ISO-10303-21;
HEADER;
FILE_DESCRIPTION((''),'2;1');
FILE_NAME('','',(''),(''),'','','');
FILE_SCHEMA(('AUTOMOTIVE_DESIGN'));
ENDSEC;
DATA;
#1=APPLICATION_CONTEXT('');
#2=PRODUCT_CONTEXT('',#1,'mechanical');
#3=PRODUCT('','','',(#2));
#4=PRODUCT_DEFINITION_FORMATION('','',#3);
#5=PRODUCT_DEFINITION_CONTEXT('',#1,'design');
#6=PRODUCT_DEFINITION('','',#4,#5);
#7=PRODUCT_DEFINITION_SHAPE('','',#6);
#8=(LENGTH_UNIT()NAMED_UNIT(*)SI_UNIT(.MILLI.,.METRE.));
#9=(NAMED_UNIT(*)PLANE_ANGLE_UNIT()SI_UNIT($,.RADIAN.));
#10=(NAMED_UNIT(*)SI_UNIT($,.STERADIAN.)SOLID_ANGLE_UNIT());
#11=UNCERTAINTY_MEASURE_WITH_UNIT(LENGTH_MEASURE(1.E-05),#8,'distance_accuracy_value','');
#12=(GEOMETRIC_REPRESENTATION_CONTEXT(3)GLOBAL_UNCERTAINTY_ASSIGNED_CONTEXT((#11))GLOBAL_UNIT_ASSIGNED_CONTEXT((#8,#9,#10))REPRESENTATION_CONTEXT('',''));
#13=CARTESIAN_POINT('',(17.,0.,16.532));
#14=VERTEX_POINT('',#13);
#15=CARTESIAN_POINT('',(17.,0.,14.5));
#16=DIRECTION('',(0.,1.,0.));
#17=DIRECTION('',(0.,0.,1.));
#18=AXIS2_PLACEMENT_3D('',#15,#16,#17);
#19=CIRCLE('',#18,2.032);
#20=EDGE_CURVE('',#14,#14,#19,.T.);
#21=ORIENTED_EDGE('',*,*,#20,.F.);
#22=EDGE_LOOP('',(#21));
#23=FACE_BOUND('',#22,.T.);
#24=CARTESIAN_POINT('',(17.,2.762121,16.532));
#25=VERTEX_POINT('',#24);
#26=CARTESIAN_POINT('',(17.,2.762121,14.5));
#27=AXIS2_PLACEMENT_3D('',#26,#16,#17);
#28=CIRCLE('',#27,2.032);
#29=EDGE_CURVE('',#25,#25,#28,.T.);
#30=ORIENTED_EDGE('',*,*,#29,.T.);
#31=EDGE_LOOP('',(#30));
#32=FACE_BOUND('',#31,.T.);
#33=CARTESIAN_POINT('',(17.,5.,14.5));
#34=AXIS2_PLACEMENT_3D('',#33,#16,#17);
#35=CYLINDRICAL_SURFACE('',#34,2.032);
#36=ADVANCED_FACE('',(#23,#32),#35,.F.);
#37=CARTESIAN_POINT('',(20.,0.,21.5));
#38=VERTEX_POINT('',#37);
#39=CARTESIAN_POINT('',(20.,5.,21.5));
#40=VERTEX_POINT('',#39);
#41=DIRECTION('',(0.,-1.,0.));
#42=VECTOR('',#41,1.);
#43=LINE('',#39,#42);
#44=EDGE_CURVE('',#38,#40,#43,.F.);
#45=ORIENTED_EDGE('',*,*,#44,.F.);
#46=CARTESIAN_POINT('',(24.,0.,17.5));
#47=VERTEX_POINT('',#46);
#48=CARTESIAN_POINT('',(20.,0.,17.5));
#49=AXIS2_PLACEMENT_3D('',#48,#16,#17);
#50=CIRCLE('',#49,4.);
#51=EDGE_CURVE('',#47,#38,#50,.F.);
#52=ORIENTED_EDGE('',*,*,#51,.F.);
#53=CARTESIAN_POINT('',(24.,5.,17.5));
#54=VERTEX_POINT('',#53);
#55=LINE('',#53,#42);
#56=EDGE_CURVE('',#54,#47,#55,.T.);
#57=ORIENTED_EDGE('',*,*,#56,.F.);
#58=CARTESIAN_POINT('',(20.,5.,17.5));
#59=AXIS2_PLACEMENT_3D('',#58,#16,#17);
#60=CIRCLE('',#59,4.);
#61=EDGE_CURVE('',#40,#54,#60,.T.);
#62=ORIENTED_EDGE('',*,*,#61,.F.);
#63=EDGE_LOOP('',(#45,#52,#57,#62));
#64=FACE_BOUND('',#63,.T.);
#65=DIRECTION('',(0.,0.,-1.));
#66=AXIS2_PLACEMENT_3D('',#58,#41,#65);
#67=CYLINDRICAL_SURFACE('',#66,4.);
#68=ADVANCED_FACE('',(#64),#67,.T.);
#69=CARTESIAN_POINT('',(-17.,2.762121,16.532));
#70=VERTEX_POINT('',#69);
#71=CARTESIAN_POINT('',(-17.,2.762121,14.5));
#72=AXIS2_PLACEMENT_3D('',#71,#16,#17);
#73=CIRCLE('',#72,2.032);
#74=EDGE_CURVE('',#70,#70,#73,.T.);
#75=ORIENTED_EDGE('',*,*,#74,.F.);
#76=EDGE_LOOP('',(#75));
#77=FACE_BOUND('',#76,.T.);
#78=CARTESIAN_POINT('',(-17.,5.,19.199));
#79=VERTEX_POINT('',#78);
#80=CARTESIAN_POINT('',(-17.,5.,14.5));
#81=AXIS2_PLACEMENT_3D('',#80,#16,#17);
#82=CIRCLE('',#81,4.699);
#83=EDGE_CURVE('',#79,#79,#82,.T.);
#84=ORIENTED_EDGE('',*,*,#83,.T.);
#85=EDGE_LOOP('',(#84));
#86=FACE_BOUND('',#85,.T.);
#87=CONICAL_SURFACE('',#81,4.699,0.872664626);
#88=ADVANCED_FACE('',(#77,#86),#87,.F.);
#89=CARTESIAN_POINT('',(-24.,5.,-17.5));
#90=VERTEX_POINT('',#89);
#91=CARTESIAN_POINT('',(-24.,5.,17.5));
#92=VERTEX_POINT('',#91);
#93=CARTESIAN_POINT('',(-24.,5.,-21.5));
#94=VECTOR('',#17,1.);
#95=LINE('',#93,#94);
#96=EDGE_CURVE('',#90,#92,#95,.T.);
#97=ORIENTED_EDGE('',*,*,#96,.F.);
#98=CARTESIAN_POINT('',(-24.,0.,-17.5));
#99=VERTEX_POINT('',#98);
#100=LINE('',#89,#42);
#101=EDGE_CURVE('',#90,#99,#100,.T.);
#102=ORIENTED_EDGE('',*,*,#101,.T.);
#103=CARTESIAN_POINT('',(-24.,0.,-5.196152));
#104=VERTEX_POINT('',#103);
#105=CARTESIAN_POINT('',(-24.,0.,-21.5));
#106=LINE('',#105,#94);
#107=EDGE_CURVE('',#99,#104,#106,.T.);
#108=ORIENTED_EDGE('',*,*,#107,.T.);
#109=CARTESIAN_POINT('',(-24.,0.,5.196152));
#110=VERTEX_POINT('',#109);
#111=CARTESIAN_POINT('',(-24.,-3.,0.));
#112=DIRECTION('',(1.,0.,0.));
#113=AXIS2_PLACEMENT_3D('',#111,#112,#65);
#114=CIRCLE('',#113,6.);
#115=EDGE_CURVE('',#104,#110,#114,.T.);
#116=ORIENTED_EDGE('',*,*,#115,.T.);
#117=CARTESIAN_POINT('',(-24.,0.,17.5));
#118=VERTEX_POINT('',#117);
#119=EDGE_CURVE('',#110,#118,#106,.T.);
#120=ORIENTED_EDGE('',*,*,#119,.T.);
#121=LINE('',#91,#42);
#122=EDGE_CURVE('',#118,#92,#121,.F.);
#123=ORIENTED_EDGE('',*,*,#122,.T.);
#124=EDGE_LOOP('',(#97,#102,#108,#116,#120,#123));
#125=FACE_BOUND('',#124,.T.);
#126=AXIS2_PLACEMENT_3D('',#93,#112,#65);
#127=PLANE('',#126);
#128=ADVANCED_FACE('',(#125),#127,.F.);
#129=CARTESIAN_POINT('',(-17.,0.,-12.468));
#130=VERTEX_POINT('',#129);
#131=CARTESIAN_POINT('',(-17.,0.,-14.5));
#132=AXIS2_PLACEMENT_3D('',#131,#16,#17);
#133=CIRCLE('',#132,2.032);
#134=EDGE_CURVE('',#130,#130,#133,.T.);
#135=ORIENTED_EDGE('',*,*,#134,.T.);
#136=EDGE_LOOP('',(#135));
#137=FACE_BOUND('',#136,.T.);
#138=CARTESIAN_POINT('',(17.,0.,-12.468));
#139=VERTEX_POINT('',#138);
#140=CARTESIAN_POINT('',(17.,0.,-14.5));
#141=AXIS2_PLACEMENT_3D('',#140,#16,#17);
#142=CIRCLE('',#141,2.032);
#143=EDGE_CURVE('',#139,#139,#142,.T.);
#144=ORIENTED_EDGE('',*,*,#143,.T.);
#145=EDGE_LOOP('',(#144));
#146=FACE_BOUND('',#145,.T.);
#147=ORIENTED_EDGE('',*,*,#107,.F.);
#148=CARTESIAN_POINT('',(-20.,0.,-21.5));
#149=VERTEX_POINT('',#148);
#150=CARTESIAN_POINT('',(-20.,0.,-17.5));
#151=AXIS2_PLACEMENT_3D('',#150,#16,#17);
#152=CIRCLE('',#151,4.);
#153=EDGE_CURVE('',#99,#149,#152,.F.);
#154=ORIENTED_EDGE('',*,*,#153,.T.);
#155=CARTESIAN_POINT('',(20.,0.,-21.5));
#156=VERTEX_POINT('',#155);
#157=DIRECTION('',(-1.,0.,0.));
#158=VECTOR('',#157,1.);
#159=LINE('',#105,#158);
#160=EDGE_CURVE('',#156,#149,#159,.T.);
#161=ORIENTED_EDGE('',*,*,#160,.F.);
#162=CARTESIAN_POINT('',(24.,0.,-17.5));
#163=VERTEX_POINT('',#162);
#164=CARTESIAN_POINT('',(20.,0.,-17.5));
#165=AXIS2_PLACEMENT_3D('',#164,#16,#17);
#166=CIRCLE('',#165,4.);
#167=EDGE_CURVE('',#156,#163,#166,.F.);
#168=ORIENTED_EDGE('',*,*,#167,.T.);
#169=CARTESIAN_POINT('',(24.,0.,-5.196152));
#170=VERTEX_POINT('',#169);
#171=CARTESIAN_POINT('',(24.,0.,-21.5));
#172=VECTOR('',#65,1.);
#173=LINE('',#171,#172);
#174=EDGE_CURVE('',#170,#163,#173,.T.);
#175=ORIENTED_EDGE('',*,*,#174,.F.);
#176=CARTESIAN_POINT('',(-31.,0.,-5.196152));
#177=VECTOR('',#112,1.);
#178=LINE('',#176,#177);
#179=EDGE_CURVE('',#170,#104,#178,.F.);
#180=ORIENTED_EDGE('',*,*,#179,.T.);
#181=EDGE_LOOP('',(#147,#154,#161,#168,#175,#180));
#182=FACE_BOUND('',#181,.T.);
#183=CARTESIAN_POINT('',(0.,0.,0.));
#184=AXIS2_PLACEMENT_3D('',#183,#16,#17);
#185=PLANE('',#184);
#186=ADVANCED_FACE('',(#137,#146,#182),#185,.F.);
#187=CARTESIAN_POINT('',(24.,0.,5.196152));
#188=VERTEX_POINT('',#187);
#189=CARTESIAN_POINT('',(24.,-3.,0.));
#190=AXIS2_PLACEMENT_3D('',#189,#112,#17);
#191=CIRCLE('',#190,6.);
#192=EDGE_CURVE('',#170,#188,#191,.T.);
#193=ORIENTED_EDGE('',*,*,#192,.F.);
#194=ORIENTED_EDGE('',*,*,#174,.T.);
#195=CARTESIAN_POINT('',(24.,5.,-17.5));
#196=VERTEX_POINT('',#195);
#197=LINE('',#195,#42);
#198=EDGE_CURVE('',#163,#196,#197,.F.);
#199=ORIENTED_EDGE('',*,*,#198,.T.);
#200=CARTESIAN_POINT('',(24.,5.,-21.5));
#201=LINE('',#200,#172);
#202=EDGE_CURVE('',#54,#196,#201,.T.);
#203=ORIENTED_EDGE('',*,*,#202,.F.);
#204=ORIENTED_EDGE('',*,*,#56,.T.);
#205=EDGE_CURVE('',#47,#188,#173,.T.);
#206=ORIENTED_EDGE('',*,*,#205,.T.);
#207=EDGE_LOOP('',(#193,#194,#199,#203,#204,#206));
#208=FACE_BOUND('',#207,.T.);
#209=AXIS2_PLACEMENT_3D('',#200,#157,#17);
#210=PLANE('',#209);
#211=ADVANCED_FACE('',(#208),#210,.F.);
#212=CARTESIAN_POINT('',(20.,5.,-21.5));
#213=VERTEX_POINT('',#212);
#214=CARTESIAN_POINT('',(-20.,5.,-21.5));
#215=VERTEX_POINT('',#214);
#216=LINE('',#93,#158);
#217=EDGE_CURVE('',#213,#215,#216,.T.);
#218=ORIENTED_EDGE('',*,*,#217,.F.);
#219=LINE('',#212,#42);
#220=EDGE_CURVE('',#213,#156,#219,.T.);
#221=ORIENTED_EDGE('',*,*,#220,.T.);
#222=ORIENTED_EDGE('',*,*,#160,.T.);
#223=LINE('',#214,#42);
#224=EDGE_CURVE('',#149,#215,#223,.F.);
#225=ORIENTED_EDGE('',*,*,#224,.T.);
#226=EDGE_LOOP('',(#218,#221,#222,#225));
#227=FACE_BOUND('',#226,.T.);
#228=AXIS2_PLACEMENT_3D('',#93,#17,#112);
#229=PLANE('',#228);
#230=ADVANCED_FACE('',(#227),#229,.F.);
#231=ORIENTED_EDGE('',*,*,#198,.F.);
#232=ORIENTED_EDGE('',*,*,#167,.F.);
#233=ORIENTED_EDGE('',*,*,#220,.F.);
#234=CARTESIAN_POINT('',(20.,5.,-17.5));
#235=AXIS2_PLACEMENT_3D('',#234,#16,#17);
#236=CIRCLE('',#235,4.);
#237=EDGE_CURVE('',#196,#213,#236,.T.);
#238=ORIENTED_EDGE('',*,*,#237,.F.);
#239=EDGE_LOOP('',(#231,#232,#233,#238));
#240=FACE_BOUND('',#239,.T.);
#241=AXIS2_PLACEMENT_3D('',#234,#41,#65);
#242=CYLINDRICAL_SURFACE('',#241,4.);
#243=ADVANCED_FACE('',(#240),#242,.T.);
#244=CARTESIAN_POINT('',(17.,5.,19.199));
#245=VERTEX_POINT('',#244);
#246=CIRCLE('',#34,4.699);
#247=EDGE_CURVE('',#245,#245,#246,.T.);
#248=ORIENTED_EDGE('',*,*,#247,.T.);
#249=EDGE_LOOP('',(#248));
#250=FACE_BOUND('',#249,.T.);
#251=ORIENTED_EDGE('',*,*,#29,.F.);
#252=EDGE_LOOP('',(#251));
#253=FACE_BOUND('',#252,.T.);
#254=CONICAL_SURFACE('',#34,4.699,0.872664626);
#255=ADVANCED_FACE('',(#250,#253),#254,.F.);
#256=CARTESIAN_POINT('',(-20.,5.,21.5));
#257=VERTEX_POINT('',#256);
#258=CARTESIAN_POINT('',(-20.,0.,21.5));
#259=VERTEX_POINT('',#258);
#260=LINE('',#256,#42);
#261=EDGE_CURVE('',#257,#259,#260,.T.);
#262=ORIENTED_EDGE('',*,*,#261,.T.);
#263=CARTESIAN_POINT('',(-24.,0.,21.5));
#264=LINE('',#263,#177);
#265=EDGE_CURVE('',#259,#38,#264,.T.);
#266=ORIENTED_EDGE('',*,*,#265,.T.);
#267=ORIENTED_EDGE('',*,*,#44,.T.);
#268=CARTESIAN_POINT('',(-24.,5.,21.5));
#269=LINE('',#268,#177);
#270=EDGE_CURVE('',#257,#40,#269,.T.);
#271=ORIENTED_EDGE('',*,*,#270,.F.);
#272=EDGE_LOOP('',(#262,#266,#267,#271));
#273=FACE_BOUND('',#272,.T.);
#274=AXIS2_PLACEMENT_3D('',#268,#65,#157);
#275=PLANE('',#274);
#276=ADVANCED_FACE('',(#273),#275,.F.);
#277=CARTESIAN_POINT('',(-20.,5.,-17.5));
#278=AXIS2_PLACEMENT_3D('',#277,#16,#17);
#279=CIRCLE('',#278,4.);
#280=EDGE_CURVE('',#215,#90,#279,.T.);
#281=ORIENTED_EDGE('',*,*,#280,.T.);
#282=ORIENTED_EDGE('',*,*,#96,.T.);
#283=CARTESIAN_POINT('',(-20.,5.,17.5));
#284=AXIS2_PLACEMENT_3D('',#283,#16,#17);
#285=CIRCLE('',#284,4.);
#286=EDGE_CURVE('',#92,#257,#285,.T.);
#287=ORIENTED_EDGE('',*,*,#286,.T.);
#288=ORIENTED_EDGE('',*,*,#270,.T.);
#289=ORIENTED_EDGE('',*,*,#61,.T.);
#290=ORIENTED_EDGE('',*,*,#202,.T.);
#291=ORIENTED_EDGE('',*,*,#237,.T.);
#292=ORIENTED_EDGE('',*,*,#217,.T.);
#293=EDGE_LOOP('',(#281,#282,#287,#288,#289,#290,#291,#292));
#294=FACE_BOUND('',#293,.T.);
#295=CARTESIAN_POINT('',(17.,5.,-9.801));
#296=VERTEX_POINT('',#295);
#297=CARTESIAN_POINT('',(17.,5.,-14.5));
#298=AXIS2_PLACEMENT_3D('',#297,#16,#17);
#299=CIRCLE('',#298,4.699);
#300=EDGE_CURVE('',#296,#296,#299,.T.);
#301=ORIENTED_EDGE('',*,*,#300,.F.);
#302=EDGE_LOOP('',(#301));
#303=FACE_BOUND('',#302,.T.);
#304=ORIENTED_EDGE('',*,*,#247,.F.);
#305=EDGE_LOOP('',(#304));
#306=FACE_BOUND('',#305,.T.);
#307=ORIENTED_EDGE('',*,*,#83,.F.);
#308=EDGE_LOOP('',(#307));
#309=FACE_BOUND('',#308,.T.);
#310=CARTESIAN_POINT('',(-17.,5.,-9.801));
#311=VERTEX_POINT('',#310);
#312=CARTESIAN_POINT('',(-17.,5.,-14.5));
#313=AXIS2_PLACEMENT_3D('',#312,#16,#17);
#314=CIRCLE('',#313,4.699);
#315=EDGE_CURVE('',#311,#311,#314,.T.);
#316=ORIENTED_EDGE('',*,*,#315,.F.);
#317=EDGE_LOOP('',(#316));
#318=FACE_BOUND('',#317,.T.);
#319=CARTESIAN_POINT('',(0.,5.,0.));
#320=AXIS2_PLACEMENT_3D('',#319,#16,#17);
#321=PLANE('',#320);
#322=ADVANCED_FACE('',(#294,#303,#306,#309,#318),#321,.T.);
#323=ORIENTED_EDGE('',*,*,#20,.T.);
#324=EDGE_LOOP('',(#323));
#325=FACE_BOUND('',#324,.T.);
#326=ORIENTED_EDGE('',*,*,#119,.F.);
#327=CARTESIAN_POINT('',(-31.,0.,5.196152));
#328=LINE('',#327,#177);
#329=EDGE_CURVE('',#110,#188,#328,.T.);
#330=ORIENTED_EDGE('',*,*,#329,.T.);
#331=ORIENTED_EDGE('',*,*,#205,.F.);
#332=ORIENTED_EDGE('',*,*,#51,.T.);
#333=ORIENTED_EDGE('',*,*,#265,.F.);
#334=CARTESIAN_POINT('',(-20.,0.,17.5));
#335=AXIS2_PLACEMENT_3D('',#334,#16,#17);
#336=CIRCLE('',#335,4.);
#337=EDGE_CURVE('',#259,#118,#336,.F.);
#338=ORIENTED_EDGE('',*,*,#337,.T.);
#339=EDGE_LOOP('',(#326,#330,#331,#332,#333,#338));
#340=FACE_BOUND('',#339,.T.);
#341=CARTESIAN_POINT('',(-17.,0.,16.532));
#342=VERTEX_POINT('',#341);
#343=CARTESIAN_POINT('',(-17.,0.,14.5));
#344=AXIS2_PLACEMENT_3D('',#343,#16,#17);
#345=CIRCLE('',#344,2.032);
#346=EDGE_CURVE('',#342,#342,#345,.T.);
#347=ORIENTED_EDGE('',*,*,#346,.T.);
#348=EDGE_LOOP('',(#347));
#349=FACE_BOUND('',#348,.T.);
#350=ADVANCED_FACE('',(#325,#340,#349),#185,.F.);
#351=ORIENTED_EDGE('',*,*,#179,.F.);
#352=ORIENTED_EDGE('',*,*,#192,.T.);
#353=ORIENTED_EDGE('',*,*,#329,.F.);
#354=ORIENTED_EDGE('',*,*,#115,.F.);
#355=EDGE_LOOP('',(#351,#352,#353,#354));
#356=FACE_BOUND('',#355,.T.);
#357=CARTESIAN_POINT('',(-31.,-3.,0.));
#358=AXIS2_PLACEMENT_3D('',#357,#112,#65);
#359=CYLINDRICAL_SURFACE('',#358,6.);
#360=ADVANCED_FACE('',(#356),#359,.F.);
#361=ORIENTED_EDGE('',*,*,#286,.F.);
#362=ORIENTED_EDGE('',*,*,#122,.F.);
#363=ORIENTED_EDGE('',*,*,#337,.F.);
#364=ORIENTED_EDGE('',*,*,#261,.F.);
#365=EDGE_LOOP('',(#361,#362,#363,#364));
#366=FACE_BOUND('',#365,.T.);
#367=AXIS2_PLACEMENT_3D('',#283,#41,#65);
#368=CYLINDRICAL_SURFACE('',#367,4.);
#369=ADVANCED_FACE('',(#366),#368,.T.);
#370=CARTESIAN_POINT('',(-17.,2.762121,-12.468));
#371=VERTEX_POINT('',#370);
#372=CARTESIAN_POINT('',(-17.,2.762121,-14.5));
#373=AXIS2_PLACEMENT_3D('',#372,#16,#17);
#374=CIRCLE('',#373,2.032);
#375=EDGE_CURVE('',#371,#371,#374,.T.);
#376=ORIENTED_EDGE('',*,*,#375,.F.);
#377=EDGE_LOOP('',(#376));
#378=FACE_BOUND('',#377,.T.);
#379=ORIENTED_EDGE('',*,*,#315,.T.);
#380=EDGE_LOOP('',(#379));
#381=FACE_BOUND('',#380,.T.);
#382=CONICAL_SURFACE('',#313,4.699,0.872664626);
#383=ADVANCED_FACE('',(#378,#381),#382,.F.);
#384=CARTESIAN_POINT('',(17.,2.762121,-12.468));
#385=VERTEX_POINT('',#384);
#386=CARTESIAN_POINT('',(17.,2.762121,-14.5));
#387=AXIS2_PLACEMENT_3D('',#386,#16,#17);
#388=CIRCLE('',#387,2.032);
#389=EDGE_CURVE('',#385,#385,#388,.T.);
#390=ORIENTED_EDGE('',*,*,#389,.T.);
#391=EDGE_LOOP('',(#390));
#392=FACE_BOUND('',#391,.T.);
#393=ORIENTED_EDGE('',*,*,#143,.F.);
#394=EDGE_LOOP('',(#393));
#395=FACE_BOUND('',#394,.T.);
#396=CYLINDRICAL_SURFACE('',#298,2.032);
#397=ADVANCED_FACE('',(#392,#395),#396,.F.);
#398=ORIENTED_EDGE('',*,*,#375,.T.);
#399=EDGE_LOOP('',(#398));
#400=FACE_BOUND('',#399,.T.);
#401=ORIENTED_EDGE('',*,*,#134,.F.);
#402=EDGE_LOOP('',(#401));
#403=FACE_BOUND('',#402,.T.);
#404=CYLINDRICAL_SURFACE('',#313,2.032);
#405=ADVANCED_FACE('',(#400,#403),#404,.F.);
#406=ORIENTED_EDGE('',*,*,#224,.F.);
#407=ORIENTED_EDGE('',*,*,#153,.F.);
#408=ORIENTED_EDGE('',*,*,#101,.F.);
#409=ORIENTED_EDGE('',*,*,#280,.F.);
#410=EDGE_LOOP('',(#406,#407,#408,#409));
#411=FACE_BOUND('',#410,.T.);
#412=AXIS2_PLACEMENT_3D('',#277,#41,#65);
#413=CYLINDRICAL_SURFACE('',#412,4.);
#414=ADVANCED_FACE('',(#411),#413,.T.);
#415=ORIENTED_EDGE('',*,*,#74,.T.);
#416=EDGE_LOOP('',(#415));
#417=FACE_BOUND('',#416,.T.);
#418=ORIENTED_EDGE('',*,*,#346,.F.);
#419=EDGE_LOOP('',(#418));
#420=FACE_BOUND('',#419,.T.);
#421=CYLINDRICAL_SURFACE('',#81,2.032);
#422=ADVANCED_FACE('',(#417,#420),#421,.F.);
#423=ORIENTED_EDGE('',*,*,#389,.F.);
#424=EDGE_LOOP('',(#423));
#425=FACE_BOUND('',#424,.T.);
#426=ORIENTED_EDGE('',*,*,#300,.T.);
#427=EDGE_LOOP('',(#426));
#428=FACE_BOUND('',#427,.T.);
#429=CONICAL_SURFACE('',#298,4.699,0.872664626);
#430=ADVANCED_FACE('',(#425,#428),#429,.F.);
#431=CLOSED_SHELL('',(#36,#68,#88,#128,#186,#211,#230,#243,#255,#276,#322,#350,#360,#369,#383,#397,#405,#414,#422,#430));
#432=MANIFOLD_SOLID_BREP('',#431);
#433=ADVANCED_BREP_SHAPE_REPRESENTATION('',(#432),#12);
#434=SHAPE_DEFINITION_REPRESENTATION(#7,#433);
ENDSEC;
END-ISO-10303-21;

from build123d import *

# Parameters (mm, degrees)
SKETCH1_W                                   = 48
SKETCH1_H                                   = 43
BOSS_EXTRUDE1_DEPTH                         = 5
FILLET1_R                                   = 4
CSK_FOR_1_4_FLAT_HEAD_MACHINE_SCREW_2_COUNT = 2
CSK_FOR_1_4_FLAT_HEAD_MACHINE_SCREW_2_PITCH = 29
CUT_EXTRUDE2_DEPTH                          = 55


with BuildPart() as part:
    # Sketch1 → Boss-Extrude1 (new body)
    with BuildSketch(Plane(origin=(0, 0, 0), x_dir=(1, 0, 0), z_dir=(0, 1, 0))):
        Rectangle(SKETCH1_W, SKETCH1_H)
    extrude(amount=BOSS_EXTRUDE1_DEPTH)

    # Fillet1
    fillet1_edges = [part.edges().sort_by_distance(p)[0] for p in [
        (24, 2.5, 21.5),
        (-24, 2.5, 21.5),
        (-24, 2.5, -21.5),
        (24, 2.5, -21.5),
    ]]
    fillet(fillet1_edges, radius=FILLET1_R)

    # Sketch3 → CSK for 1/4 Flat Head Machine Screw (100)1 (revolve, cut)
    with BuildSketch(Plane(origin=(17, 5, 14.5), x_dir=(0, 0, 1), z_dir=(1, 0, 0))):
        Polygon((0, 0), (0, 30), (2.032, 28.779051222), (2.032, 2.237878716), (4.699, 0), align=None)
    csk_for_1_4_flat_head_machine_screw_100 = revolve(axis=Axis((17, 11.35, 14.5), (0, -1, 0)), mode=Mode.SUBTRACT)

    # CSK for 1_4 Flat Head Machine Screw  2: CSK for 1/4 Flat Head Machine Screw (100)1 ×2
    with Locations(*[(0, 0, -i * CSK_FOR_1_4_FLAT_HEAD_MACHINE_SCREW_2_PITCH) for i in range(1, CSK_FOR_1_4_FLAT_HEAD_MACHINE_SCREW_2_COUNT)]):
        add(csk_for_1_4_flat_head_machine_screw_100, mode=Mode.SUBTRACT)

    # Mirror1: CSK for 1/4 Flat Head Machine Screw (100)1 across plane
    add(csk_for_1_4_flat_head_machine_screw_100.mirror(Plane(origin=(0, 0, 0), x_dir=(0, 0, 1), z_dir=(1, 0, 0))), mode=Mode.SUBTRACT)

    # Mirror1 copy 1 sketch → Mirror1 copy 1 (revolve, cut)
    with BuildSketch(Plane(origin=(-17, 5, -14.5), x_dir=(0, 0, 1), z_dir=(-1, 0, 0))):
        Polygon((0, 0), (0, -30), (2.032, -28.779051222), (2.032, -2.237878716), (4.699, 0), align=None)
    revolve(axis=Axis((-17, 11.35, -14.5), (0, 1, 0)), mode=Mode.SUBTRACT)

    # Sketch6 → Cut-Extrude2 (cut)
    with BuildSketch(Plane(origin=(24, 0, 0), x_dir=(0, 0, -1), z_dir=(1, 0, 0))):
        with BuildLine():
            Line((-5.196152423, 0), (5.196152423, 0))
            ThreePointArc((5.196152423, 0), (0, 3), (-5.196152423, 0))
        make_face()
    extrude(amount=-CUT_EXTRUDE2_DEPTH, mode=Mode.SUBTRACT)


solid = part.part
